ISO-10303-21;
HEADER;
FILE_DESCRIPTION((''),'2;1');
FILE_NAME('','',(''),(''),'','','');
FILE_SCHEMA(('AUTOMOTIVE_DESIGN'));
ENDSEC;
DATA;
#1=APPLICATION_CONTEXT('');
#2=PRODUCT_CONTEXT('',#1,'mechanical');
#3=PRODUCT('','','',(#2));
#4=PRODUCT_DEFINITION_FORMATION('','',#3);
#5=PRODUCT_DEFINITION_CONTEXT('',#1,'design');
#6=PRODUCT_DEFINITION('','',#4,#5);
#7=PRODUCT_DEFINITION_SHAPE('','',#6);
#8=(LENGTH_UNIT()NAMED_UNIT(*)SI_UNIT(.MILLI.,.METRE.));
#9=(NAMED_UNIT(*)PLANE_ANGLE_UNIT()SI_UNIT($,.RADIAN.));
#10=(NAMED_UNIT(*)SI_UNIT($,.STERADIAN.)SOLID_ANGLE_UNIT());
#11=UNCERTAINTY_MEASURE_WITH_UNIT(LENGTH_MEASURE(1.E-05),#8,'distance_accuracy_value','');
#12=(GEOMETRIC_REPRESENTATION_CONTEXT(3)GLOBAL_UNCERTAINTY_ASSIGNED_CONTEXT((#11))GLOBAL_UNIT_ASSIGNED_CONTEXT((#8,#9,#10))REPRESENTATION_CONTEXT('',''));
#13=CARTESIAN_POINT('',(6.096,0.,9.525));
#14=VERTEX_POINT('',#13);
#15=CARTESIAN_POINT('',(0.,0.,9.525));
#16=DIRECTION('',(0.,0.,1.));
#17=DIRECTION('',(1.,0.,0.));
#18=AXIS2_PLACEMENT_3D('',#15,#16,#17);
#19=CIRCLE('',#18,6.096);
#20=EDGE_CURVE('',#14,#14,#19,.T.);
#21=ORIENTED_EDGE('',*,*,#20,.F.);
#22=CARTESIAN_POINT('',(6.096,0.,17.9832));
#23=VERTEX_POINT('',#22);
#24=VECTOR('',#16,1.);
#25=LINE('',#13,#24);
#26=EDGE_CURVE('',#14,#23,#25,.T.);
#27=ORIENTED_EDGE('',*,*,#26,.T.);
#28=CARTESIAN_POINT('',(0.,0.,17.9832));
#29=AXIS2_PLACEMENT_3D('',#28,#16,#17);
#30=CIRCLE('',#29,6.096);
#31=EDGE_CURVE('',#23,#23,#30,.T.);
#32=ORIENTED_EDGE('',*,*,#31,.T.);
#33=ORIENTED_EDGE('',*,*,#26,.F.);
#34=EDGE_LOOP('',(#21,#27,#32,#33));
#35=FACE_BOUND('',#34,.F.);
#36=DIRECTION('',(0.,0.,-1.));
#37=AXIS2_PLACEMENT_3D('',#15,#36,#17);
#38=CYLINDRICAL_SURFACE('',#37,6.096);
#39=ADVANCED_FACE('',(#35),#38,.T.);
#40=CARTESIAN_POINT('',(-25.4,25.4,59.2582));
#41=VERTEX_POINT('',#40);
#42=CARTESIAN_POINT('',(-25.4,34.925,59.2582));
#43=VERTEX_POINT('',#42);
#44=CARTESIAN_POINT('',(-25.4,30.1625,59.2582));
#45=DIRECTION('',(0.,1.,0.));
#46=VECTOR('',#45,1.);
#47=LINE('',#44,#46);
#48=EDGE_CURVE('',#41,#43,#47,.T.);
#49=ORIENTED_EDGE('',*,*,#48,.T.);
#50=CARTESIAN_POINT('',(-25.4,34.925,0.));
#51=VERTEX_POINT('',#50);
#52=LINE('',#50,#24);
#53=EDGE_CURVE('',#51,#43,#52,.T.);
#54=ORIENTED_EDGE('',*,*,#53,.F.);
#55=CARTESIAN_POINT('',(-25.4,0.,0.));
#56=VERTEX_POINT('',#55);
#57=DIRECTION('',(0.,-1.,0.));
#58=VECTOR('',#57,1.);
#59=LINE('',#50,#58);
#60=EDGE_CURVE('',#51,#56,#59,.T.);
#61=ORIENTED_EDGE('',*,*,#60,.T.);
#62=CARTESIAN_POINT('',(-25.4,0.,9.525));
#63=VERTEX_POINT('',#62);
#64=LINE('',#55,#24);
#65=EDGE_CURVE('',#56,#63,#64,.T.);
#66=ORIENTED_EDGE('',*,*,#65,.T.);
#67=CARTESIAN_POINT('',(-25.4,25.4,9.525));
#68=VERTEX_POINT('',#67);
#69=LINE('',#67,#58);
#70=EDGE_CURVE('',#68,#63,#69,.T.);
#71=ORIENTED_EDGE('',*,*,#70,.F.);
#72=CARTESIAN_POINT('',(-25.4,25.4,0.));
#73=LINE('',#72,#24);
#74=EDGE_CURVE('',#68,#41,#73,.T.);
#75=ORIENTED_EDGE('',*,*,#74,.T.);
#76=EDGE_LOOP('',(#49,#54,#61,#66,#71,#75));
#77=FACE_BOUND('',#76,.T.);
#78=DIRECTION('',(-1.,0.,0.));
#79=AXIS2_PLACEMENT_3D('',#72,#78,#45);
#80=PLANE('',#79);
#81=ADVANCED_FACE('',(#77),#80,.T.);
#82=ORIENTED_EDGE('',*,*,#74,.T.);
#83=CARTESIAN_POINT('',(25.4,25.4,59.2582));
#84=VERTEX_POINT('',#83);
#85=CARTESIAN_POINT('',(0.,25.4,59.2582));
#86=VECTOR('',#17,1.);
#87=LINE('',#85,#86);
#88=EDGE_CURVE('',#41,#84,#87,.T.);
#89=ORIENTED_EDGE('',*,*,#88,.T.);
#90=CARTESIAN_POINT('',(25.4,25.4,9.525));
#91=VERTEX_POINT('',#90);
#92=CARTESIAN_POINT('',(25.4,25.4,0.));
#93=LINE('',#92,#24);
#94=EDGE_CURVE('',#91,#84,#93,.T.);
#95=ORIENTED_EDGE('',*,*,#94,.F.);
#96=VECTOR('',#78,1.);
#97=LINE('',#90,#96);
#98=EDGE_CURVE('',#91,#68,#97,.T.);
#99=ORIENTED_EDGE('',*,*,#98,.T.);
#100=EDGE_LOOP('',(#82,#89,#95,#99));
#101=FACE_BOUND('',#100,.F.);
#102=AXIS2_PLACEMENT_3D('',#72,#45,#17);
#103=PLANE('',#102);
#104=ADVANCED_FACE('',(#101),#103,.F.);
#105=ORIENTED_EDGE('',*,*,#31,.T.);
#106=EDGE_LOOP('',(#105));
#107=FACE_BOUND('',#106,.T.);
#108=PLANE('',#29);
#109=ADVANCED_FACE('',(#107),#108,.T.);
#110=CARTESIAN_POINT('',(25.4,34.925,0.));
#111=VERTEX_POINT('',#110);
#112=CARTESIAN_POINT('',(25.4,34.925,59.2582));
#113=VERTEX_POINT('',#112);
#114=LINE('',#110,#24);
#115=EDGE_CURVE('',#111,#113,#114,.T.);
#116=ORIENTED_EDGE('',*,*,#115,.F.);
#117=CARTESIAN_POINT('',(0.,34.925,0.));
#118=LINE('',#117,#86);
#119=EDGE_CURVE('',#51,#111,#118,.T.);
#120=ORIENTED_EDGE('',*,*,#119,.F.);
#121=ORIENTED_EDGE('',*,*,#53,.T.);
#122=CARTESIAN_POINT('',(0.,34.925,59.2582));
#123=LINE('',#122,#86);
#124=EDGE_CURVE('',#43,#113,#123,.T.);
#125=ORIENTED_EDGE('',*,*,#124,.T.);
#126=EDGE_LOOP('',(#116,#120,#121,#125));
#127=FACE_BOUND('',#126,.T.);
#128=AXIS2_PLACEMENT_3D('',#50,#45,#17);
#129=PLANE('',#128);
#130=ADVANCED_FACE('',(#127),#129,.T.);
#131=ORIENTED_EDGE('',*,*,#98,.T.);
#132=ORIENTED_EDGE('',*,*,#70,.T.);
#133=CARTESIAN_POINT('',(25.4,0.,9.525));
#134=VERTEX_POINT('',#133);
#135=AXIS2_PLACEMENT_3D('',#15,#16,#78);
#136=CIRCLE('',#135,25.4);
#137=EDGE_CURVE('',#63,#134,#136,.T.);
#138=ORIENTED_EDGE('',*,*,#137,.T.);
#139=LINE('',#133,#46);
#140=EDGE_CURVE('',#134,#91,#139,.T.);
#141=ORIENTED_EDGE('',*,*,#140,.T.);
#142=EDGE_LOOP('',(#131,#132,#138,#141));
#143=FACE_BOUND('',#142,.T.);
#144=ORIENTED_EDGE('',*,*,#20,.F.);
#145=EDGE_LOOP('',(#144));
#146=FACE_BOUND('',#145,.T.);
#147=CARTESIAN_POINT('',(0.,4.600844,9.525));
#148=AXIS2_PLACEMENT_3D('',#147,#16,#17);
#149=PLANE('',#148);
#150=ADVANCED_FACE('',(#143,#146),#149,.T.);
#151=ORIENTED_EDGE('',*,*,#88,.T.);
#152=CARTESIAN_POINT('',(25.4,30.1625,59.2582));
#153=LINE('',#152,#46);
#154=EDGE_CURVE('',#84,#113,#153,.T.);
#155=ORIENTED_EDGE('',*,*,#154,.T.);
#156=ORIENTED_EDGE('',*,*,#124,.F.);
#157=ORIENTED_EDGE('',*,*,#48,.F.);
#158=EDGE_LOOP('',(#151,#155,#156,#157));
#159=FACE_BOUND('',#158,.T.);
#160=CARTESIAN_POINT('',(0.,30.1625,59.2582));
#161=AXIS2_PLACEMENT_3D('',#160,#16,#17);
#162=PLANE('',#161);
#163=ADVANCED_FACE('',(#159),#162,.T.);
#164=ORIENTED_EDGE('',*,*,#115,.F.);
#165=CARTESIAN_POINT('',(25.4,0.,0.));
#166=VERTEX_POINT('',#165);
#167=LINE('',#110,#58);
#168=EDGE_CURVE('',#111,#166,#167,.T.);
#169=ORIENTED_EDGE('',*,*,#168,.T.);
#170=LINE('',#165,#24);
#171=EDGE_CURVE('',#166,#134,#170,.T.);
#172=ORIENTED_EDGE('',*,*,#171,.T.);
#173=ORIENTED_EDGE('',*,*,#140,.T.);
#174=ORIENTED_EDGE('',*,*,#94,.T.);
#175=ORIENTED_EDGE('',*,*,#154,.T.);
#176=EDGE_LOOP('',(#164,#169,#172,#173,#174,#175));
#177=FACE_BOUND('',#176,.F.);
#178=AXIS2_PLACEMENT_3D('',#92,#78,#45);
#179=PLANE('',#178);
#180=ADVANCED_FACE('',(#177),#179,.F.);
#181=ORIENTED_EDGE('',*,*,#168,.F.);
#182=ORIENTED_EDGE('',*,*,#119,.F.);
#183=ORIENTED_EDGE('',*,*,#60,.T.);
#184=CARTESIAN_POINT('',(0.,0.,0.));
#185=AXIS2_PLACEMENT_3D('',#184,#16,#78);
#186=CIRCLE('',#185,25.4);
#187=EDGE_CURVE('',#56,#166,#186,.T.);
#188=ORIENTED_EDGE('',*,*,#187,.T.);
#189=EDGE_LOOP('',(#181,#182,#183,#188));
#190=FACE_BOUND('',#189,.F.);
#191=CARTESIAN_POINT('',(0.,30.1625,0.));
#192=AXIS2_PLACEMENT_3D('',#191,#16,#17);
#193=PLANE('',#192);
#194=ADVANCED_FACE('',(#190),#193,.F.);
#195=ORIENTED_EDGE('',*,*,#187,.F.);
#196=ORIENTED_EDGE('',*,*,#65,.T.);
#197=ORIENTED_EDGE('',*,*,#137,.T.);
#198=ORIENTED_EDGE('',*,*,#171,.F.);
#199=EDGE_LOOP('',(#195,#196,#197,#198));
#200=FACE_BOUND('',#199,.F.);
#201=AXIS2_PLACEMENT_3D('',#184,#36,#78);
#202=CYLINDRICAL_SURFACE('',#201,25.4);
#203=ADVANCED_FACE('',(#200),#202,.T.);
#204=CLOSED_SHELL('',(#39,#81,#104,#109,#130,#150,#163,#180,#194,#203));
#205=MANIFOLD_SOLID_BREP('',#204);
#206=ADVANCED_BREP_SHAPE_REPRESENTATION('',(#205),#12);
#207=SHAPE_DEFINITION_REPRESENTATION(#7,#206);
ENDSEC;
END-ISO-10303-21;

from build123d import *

# Parameters (mm, degrees)
F1_DEPTH = 9.525
F0_W     = 50.8
F0_H     = 9.525
F2_DEPTH = 59.2582
F3_R     = 6.096
F4_DEPTH = 8.4582


with BuildPart() as f1:
    # F0 (on Top) → F1 (new body)
    with BuildSketch(Plane.XY):
        with BuildLine():
            Line((25.4, 25.4), (-25.4, 25.4))
            Line((-25.4, 25.4), (-25.4, 0))
            ThreePointArc((-25.4, 0), (0, -25.4), (25.4, 0))
            Line((25.4, 0), (25.4, 25.4))
        make_face()
    extrude(amount=F1_DEPTH)

    # F0 (on Top) → F2 (join)
    with BuildSketch(Plane.XY):
        with Locations((0, 30.1625)):
            Rectangle(F0_W, F0_H)
    extrude(amount=F2_DEPTH)

    # F3 (on face) → F4 (join)
    with BuildSketch(Plane.XY.offset(9.525)):
        Circle(F3_R)
    extrude(amount=F4_DEPTH)


solid = f1.part
